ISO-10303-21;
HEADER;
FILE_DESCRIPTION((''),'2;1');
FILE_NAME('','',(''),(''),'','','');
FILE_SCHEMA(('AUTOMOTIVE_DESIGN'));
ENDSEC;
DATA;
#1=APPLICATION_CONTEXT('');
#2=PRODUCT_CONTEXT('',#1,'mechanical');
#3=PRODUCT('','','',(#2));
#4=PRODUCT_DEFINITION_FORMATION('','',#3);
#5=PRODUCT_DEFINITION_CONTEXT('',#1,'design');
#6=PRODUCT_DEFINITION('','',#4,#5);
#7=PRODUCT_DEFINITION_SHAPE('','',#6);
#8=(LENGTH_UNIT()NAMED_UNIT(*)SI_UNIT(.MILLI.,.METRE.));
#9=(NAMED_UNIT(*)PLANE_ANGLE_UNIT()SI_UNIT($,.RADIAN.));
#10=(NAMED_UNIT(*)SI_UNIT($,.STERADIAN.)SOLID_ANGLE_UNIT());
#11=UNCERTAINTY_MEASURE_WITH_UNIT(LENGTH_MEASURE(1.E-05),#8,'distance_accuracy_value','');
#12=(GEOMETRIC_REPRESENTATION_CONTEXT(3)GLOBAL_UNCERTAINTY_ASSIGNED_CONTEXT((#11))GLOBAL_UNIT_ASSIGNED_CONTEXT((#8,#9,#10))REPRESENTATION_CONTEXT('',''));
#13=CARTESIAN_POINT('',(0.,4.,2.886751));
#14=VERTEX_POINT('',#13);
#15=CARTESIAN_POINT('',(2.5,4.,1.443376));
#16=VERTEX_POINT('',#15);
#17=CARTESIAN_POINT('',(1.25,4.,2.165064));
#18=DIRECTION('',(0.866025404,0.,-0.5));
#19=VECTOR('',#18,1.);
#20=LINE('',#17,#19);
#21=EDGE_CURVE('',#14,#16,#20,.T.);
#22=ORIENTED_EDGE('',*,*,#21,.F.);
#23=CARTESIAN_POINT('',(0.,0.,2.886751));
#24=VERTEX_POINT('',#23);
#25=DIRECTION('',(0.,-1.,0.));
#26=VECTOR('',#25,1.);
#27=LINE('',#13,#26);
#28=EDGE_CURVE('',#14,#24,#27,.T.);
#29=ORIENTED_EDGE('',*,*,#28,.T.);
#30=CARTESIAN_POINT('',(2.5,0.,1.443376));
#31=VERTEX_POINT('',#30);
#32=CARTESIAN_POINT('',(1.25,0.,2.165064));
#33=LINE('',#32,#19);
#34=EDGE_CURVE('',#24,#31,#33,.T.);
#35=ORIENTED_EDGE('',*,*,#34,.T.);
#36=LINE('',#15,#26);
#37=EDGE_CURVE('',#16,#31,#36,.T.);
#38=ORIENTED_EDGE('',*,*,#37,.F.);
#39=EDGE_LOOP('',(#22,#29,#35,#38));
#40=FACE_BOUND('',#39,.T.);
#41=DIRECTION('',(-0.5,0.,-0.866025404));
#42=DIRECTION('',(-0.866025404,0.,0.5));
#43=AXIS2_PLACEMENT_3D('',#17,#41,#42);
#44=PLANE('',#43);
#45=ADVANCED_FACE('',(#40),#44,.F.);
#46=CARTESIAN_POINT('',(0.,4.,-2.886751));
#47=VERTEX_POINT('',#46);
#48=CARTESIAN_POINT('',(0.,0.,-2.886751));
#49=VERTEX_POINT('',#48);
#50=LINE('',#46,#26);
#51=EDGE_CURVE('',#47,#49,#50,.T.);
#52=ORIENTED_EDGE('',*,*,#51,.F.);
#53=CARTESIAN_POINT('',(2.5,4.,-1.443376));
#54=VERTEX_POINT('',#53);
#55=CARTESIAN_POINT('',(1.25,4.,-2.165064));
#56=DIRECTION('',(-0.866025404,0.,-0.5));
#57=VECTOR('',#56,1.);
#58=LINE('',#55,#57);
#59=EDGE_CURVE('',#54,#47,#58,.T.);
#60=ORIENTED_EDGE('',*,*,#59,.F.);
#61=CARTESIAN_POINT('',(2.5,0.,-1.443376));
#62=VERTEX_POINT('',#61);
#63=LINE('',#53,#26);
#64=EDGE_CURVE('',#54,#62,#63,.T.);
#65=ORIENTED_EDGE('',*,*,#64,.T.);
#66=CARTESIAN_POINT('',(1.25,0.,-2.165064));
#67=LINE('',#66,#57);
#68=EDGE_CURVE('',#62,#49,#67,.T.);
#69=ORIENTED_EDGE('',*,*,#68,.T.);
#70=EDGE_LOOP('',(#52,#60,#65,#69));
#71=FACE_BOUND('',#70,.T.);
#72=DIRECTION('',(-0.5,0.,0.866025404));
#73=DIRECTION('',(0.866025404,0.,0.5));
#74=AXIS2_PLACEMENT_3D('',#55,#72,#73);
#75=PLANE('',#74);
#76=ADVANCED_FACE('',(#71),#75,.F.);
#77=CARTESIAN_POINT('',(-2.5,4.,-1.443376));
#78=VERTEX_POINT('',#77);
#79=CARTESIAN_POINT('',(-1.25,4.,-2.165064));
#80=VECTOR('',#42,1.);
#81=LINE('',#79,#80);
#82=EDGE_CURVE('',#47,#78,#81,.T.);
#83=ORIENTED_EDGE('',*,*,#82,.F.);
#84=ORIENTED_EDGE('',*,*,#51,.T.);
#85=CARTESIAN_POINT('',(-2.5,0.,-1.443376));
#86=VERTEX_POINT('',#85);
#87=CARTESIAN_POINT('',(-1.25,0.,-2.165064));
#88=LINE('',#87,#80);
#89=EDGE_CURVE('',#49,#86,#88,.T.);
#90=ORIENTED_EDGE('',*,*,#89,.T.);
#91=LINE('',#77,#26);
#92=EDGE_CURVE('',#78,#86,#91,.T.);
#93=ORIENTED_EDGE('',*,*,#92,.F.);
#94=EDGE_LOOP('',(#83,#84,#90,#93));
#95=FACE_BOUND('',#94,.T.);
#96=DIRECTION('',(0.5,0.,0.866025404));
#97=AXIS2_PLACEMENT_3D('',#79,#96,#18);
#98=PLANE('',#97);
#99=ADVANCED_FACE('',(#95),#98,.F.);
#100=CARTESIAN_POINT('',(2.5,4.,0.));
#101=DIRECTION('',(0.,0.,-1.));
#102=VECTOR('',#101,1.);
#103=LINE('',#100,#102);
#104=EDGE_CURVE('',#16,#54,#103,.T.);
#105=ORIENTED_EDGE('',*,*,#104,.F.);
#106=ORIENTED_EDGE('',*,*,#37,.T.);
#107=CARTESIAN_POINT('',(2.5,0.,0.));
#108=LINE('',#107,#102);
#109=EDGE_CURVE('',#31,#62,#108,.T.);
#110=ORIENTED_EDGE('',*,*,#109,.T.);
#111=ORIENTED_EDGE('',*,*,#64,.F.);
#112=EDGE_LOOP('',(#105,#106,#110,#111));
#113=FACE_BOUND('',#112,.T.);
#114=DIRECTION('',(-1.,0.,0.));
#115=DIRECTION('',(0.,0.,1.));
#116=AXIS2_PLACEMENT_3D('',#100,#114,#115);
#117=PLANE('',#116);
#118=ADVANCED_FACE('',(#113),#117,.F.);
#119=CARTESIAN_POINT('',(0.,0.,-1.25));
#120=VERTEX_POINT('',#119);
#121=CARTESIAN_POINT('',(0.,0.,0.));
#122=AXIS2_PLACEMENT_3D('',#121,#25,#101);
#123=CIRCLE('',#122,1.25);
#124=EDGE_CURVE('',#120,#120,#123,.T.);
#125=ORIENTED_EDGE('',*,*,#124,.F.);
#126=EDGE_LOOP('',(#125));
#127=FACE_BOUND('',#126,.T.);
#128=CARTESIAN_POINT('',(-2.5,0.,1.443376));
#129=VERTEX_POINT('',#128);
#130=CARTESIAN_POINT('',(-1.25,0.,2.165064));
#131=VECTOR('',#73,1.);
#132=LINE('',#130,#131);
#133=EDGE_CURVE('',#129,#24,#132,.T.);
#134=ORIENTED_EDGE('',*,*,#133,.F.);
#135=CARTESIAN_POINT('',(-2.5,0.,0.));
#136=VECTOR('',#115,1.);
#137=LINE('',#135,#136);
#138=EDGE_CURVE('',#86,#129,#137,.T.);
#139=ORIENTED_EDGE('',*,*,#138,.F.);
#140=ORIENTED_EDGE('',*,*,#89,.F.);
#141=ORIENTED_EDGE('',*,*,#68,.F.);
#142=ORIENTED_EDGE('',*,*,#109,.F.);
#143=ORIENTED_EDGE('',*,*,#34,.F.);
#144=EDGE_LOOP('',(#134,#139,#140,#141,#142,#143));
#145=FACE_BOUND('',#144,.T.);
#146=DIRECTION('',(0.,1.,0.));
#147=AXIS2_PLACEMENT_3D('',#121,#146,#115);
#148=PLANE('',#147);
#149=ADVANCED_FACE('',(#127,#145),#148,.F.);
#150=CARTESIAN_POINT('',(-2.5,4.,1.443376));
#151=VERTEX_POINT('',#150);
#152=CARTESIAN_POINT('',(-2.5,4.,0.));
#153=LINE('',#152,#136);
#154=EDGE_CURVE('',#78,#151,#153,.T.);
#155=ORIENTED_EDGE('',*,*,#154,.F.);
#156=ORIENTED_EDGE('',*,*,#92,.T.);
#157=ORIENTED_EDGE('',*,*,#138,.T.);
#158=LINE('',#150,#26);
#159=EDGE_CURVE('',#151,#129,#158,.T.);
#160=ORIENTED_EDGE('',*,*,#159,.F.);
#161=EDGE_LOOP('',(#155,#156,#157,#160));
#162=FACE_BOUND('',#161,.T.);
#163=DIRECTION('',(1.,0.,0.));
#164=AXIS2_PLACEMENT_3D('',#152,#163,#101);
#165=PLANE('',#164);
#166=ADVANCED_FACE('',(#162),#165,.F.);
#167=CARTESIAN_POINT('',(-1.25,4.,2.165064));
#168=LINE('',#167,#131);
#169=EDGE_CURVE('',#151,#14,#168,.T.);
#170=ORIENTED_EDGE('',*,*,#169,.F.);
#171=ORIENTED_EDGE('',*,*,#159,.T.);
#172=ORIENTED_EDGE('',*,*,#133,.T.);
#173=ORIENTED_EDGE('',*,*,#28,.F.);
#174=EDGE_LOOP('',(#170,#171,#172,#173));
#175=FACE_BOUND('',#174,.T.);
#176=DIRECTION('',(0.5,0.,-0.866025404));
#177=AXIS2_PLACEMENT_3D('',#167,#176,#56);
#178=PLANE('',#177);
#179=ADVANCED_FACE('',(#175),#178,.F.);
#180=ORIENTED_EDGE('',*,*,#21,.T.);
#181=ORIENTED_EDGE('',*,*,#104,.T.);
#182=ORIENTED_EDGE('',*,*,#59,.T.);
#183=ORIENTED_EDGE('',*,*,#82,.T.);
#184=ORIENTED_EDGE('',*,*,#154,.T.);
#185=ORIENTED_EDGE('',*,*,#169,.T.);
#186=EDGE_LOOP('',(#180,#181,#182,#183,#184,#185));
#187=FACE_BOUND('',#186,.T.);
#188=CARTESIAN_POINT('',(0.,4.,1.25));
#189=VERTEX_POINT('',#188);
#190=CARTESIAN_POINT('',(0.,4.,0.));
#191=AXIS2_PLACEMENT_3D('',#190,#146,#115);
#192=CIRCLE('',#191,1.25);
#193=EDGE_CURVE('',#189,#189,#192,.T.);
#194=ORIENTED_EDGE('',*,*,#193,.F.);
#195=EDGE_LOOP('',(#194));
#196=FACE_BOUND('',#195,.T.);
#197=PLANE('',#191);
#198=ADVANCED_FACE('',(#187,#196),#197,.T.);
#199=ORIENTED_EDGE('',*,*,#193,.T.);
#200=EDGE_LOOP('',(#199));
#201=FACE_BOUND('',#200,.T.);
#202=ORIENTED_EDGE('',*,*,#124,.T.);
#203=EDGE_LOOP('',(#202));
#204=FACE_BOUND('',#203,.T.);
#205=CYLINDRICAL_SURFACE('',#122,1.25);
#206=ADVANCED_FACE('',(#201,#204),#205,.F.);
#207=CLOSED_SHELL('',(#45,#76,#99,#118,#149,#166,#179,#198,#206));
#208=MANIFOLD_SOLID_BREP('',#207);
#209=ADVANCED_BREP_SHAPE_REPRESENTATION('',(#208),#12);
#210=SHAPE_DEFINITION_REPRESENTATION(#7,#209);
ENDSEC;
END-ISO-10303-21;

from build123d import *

# Parameters (mm, degrees)
BOSS_EXTRUDE1_DEPTH       = 4
M3X0_5_TAPPED_HOLE1_D     = 2.5
M3X0_5_TAPPED_HOLE1_DEPTH = 13.5
M3X0_5_TAPPED_HOLE1_TIP   = 0.751075774


with BuildPart() as part:
    # Sketch2 → Boss-Extrude1 (new body)
    with BuildSketch(Plane(origin=(0, 0, 0), x_dir=(1, 0, 0), z_dir=(0, 1, 0))):
        Polygon((1.25, 0.721687836), (-2.5, -1.443375673), (0, -2.886751346), (1.666666667, 0), align=None)
        Polygon((0.833333333, 1.443375673), (-2.5, 1.443375673), (-2.5, -1.443375673), (1.25, 0.721687836), align=None)
        Polygon((0.833333333, 1.443375673), (0, 2.886751346), (-2.5, 1.443375673), align=None)
        Polygon((2.5, 1.443375673), (0, 2.886751346), (0.833333333, 1.443375673), align=None)
        Polygon((1.25, 0.721687836), (2.5, 1.443375673), (0.833333333, 1.443375673), align=None)
        Polygon((1.666666667, 0), (2.5, 1.443375673), (1.25, 0.721687836), align=None)
        Polygon((2.5, -1.443375673), (2.5, 1.443375673), (1.666666667, 0), align=None)
        Polygon((0, -2.886751346), (2.5, -1.443375673), (1.666666667, 0), align=None)
    extrude(amount=BOSS_EXTRUDE1_DEPTH)

    # M3x0.5 Tapped Hole1
    with Locations(Plane(origin=(0, 0, 0), x_dir=(-1, 0, 0), z_dir=(0, -1, 0))):
        with Locations((0, 0)):
            Hole(M3X0_5_TAPPED_HOLE1_D / 2, depth=M3X0_5_TAPPED_HOLE1_DEPTH)
            with Locations((0, 0, -(M3X0_5_TAPPED_HOLE1_DEPTH + M3X0_5_TAPPED_HOLE1_TIP / 2))):  # 118° drill point
                Cone(0, M3X0_5_TAPPED_HOLE1_D / 2, M3X0_5_TAPPED_HOLE1_TIP, mode=Mode.SUBTRACT)


solid = part.part
